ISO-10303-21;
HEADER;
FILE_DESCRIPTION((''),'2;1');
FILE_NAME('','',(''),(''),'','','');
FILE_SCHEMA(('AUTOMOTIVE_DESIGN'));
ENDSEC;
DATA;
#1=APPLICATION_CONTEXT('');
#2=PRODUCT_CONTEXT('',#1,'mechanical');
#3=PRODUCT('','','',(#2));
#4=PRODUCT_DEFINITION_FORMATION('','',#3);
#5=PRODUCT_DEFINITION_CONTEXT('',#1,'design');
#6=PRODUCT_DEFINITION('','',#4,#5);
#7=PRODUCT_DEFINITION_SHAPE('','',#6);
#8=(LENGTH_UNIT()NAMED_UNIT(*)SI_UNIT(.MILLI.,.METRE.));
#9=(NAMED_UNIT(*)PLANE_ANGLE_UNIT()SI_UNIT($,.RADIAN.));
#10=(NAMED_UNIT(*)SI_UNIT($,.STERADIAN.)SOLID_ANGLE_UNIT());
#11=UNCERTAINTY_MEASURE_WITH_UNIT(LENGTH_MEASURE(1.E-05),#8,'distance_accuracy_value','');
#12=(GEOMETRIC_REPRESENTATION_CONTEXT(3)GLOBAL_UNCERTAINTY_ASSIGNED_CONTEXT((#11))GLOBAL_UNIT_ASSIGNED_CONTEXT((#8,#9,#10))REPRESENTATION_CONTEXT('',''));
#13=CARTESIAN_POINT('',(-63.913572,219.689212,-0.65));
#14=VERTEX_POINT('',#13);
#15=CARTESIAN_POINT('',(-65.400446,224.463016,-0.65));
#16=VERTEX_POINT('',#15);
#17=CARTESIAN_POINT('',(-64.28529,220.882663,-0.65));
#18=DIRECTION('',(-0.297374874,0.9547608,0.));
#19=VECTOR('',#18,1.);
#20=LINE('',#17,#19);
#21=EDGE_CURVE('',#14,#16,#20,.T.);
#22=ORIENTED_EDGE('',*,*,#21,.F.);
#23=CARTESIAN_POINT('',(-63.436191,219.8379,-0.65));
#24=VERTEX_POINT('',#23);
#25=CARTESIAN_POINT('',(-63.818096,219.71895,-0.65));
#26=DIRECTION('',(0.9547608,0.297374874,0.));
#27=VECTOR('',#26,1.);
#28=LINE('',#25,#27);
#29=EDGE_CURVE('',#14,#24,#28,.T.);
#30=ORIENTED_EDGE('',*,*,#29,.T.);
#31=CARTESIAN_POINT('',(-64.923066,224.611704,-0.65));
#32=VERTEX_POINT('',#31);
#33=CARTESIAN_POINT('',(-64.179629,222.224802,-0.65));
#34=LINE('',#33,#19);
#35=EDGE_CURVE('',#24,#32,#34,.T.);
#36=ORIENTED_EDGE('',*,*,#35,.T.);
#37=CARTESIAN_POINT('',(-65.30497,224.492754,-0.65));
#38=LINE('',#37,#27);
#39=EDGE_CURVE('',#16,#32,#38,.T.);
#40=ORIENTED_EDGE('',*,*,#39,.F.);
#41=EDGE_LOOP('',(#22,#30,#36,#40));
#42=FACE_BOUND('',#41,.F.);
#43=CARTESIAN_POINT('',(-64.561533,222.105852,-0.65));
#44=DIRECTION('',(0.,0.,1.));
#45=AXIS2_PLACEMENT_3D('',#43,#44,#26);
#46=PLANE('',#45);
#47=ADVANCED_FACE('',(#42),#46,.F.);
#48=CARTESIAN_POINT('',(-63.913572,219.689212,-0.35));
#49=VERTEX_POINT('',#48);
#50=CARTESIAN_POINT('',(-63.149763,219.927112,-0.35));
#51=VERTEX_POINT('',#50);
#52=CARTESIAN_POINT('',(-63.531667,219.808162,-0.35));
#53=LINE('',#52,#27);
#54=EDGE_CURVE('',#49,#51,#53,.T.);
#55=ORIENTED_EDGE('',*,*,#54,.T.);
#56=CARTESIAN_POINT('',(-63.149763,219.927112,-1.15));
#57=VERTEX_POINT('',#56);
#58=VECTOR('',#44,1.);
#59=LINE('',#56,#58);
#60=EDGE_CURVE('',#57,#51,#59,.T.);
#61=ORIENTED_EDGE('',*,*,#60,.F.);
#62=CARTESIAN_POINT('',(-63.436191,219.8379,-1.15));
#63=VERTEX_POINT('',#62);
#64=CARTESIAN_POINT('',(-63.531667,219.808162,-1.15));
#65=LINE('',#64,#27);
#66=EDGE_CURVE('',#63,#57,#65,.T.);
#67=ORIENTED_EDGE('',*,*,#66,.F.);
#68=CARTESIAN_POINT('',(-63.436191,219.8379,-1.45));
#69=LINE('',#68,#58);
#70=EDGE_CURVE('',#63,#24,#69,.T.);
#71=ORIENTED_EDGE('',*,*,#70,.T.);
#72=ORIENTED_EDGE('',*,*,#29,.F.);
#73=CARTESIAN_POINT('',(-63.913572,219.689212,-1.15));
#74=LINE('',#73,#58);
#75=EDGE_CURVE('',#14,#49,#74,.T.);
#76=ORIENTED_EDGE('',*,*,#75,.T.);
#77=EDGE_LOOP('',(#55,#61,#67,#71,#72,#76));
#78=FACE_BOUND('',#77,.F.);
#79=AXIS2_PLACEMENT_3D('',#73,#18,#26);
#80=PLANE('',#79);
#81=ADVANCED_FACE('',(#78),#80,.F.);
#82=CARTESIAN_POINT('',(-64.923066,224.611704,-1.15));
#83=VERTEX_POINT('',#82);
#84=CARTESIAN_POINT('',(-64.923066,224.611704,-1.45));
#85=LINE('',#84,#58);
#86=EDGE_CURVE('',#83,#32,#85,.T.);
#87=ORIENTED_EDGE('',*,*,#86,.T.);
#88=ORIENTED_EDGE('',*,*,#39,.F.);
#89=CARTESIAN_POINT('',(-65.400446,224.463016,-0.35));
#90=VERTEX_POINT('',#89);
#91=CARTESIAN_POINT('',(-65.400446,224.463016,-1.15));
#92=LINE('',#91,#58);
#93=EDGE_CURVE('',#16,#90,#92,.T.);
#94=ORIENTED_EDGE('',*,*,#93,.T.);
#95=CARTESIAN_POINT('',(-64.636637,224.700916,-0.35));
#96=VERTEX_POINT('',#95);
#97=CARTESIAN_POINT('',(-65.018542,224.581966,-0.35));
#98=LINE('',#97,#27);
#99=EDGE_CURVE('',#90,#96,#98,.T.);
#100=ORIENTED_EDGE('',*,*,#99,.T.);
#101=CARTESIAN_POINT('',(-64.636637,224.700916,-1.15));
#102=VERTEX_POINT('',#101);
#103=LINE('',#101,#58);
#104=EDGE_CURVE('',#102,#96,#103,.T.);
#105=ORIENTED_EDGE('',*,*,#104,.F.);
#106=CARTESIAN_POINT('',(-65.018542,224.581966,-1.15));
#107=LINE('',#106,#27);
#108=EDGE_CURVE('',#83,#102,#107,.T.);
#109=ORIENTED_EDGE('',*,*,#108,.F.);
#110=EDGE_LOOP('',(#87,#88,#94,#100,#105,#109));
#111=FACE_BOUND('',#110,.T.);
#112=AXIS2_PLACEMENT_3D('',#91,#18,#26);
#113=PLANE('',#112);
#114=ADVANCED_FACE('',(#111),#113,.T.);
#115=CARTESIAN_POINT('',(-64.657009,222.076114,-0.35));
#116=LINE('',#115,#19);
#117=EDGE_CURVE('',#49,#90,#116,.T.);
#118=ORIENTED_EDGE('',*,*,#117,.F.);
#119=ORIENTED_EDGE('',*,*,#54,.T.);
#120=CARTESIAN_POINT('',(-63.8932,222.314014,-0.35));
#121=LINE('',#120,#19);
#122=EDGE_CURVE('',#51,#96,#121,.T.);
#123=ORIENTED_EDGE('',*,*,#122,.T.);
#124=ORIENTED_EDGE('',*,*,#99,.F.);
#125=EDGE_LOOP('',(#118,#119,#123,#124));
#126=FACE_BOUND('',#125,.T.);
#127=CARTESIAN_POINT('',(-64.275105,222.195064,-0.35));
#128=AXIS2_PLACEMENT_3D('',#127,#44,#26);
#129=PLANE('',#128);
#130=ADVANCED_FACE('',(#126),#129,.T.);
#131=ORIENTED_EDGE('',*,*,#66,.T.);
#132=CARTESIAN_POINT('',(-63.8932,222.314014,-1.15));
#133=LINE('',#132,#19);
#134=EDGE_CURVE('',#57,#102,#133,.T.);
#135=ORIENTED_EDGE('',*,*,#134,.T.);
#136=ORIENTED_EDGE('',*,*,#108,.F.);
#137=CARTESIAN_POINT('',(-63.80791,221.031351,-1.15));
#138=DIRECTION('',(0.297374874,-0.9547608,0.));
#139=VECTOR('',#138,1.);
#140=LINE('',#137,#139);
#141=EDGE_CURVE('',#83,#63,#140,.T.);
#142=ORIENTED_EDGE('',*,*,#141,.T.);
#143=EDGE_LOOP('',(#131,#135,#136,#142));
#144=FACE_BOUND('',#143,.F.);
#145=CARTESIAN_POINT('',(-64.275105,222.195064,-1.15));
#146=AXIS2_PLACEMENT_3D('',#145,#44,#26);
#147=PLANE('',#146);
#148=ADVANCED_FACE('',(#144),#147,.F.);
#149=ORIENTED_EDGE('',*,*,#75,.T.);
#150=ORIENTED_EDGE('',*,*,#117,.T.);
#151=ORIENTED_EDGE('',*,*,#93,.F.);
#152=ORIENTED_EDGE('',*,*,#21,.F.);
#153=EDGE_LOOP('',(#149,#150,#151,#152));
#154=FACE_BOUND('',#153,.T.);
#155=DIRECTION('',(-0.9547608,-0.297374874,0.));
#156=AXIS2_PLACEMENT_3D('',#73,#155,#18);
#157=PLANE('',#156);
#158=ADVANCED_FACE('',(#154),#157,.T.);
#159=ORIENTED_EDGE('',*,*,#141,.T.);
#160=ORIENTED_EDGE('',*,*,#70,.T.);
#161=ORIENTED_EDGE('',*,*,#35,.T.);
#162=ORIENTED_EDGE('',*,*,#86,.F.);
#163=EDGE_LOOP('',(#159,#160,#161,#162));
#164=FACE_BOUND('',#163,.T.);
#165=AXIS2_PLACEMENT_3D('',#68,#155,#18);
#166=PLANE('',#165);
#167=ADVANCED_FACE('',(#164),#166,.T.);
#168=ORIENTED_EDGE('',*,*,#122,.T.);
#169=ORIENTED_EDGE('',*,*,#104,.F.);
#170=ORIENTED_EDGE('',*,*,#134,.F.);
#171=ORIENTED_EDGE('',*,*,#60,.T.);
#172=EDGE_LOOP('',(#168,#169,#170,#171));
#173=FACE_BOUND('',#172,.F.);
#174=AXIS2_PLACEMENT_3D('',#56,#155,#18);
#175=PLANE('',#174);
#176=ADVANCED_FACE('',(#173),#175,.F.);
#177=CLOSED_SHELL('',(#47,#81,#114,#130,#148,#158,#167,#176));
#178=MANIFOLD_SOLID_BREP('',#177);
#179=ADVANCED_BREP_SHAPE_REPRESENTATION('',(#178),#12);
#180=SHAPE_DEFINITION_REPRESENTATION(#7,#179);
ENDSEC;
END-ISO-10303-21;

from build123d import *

# Parameters (mm, degrees)
BOX153_W               = 0.8
BOX153_H               = 5
BOX153_DEPTH           = 0.8
BOX154_W               = 0.8
BOX154_H               = 5
BOX154_DEPTH           = 0.8
CUT080_PLACEMENT_ANGLE = 17.3


with BuildPart() as cubo153:
    # Box153 → Box153 (new body)
    with BuildSketch(Plane.XY):
        with Locations((0.4, 2.5)):
            Rectangle(BOX153_W, BOX153_H)
    extrude(amount=BOX153_DEPTH)


with BuildPart() as perfil_l_2da_cara022:
    # Box154 → Box154 (new body)
    with BuildSketch(Plane(origin=(0.3, 0, 0.3), x_dir=(1, 0, 0), z_dir=(0, 0, 1))):
        with Locations((0.4, 2.5)):
            Rectangle(BOX154_W, BOX154_H)
    extrude(amount=BOX154_DEPTH)

    # Cut080: cut Cubo153
    add(cubo153.part, mode=Mode.SUBTRACT)


with BuildPart() as perfil_l_2da_cara022_1:
    # Cut080 placement: moved
    add(perfil_l_2da_cara022.part.moved(Location((-64.2, 219.6, -1.45))).rotate(Axis((-64.2, 219.6, -1.45), (0, 0, 1)), CUT080_PLACEMENT_ANGLE))


solid = perfil_l_2da_cara022_1.part
